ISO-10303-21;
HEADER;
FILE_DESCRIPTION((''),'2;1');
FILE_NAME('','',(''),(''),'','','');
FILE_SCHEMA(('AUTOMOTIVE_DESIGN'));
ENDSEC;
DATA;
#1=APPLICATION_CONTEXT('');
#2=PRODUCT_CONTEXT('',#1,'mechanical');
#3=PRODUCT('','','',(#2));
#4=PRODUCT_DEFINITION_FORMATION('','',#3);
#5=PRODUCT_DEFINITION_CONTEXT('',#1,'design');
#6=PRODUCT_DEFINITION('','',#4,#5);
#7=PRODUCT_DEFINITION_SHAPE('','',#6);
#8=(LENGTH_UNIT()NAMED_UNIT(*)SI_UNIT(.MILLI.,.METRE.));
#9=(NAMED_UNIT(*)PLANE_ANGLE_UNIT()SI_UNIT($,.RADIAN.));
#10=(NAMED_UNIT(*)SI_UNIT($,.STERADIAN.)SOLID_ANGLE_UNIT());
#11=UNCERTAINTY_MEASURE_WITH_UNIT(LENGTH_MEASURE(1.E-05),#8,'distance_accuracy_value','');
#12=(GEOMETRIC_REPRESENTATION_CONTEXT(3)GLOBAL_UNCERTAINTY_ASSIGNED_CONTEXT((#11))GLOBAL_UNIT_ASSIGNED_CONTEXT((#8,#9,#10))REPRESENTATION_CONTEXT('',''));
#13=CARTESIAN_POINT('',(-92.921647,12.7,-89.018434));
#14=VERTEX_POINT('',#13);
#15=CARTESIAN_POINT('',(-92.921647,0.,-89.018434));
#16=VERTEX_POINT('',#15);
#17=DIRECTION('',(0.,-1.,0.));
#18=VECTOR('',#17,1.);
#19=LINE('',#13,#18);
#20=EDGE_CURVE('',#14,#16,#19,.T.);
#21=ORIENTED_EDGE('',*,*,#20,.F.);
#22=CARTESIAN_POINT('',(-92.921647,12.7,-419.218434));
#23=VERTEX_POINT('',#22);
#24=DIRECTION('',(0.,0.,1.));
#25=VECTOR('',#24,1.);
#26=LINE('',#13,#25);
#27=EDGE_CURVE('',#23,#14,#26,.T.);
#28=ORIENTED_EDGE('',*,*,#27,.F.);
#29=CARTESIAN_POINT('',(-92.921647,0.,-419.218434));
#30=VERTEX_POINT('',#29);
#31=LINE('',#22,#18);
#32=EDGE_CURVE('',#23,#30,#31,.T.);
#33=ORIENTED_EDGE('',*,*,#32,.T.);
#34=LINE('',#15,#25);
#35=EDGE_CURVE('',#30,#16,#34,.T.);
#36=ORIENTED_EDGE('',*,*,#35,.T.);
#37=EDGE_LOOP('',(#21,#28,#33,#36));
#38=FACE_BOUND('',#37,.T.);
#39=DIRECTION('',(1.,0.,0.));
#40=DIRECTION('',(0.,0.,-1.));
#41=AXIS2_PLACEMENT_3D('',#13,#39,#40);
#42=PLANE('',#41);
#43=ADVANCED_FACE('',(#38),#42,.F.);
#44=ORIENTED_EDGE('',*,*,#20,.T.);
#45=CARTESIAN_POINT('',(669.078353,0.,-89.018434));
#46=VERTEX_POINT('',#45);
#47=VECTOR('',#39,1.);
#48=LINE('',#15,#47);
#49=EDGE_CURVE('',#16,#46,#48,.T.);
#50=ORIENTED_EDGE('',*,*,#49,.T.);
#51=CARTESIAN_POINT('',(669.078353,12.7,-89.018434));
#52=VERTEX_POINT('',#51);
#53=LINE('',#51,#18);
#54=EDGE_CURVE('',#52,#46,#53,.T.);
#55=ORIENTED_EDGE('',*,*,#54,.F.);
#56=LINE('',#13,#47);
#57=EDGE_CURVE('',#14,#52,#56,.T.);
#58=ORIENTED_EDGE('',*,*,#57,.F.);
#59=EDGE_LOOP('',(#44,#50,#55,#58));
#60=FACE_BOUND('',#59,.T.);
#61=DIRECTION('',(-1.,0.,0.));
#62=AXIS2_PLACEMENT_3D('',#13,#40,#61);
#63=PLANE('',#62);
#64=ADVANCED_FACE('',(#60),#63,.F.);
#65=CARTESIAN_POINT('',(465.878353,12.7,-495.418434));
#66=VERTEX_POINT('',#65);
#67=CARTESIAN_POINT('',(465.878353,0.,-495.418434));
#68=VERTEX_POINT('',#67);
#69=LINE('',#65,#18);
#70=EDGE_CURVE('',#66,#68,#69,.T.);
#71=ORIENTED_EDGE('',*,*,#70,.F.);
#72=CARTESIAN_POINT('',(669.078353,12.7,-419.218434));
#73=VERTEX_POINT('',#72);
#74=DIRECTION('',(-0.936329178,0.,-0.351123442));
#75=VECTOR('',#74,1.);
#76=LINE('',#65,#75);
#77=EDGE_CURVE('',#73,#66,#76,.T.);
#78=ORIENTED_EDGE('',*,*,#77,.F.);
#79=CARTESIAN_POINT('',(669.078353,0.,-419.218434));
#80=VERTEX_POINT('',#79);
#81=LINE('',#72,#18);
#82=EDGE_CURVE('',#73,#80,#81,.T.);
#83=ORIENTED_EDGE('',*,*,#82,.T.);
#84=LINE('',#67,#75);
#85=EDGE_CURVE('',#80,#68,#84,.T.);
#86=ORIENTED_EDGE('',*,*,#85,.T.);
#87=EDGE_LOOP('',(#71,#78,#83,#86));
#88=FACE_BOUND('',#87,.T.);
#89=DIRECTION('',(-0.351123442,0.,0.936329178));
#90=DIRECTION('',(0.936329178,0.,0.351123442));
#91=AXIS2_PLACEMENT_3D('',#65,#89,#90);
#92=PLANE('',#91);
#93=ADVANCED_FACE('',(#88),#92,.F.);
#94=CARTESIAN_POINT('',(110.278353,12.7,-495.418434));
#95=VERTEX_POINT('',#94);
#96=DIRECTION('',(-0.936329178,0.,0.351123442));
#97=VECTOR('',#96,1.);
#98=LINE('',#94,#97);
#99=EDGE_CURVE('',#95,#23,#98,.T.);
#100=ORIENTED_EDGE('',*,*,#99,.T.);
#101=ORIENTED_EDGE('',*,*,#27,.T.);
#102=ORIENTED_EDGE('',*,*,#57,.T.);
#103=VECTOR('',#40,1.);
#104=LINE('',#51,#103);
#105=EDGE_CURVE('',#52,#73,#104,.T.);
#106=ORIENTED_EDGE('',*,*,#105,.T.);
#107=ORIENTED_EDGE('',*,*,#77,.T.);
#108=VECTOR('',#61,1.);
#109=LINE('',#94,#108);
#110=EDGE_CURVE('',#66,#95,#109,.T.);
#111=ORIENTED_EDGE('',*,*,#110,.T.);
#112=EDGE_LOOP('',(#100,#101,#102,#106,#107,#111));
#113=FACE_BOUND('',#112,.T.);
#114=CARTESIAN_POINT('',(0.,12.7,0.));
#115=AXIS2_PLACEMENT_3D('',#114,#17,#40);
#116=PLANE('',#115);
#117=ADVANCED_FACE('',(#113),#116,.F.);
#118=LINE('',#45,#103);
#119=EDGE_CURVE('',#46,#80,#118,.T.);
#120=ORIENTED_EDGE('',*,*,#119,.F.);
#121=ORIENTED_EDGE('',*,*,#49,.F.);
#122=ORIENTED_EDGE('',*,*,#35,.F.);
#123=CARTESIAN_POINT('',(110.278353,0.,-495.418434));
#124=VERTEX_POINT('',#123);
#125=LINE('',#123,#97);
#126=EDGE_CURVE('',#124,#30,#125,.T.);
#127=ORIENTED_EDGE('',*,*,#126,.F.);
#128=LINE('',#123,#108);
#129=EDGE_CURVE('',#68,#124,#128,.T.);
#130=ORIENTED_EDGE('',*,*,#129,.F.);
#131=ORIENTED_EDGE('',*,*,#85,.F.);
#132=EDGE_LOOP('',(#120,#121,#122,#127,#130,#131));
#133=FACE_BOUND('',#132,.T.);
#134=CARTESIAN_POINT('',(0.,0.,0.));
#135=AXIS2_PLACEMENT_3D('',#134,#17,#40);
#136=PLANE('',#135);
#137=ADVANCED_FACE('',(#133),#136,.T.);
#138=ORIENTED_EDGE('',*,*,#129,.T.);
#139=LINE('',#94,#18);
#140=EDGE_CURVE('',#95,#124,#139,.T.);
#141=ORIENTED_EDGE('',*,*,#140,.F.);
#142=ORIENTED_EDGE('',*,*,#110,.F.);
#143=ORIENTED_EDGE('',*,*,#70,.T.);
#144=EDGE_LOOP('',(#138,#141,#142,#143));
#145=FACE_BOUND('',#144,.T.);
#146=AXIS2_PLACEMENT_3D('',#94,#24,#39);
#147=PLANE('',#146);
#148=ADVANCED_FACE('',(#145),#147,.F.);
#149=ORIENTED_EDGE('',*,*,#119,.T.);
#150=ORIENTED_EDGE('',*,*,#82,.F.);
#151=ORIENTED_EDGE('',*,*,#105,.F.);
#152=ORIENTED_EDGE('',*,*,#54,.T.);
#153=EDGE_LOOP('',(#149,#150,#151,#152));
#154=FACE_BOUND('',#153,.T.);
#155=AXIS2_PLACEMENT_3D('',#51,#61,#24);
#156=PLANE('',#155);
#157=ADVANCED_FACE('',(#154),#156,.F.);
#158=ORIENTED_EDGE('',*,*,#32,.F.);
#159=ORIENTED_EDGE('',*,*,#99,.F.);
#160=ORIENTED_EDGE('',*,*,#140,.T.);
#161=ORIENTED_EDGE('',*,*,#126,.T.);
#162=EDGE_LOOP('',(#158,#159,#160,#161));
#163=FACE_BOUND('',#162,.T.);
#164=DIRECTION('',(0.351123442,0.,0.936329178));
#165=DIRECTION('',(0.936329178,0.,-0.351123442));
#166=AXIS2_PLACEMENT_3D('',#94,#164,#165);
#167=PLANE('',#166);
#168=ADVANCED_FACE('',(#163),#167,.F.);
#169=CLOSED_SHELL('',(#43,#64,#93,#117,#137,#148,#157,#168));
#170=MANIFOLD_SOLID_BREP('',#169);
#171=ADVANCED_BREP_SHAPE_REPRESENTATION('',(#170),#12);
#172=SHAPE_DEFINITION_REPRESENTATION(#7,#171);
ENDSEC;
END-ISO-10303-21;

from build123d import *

# Parameters (mm, degrees)
BOSS_EXTRUDE1_DEPTH = 12.7


with BuildPart() as part:
    # Sketch1 → Boss-Extrude1 (new body)
    with BuildSketch(Plane(origin=(0, 0, 0), x_dir=(1, 0, 0), z_dir=(0, 1, 0))):
        Polygon((-92.921646993, 89.018434179), (669.078353007, 89.018434179), (669.078353007, 419.218434179), (465.878353007, 495.418434179), (110.278353007, 495.418434179), (-92.921646993, 419.218434179), align=None)
    extrude(amount=BOSS_EXTRUDE1_DEPTH)


solid = part.part
